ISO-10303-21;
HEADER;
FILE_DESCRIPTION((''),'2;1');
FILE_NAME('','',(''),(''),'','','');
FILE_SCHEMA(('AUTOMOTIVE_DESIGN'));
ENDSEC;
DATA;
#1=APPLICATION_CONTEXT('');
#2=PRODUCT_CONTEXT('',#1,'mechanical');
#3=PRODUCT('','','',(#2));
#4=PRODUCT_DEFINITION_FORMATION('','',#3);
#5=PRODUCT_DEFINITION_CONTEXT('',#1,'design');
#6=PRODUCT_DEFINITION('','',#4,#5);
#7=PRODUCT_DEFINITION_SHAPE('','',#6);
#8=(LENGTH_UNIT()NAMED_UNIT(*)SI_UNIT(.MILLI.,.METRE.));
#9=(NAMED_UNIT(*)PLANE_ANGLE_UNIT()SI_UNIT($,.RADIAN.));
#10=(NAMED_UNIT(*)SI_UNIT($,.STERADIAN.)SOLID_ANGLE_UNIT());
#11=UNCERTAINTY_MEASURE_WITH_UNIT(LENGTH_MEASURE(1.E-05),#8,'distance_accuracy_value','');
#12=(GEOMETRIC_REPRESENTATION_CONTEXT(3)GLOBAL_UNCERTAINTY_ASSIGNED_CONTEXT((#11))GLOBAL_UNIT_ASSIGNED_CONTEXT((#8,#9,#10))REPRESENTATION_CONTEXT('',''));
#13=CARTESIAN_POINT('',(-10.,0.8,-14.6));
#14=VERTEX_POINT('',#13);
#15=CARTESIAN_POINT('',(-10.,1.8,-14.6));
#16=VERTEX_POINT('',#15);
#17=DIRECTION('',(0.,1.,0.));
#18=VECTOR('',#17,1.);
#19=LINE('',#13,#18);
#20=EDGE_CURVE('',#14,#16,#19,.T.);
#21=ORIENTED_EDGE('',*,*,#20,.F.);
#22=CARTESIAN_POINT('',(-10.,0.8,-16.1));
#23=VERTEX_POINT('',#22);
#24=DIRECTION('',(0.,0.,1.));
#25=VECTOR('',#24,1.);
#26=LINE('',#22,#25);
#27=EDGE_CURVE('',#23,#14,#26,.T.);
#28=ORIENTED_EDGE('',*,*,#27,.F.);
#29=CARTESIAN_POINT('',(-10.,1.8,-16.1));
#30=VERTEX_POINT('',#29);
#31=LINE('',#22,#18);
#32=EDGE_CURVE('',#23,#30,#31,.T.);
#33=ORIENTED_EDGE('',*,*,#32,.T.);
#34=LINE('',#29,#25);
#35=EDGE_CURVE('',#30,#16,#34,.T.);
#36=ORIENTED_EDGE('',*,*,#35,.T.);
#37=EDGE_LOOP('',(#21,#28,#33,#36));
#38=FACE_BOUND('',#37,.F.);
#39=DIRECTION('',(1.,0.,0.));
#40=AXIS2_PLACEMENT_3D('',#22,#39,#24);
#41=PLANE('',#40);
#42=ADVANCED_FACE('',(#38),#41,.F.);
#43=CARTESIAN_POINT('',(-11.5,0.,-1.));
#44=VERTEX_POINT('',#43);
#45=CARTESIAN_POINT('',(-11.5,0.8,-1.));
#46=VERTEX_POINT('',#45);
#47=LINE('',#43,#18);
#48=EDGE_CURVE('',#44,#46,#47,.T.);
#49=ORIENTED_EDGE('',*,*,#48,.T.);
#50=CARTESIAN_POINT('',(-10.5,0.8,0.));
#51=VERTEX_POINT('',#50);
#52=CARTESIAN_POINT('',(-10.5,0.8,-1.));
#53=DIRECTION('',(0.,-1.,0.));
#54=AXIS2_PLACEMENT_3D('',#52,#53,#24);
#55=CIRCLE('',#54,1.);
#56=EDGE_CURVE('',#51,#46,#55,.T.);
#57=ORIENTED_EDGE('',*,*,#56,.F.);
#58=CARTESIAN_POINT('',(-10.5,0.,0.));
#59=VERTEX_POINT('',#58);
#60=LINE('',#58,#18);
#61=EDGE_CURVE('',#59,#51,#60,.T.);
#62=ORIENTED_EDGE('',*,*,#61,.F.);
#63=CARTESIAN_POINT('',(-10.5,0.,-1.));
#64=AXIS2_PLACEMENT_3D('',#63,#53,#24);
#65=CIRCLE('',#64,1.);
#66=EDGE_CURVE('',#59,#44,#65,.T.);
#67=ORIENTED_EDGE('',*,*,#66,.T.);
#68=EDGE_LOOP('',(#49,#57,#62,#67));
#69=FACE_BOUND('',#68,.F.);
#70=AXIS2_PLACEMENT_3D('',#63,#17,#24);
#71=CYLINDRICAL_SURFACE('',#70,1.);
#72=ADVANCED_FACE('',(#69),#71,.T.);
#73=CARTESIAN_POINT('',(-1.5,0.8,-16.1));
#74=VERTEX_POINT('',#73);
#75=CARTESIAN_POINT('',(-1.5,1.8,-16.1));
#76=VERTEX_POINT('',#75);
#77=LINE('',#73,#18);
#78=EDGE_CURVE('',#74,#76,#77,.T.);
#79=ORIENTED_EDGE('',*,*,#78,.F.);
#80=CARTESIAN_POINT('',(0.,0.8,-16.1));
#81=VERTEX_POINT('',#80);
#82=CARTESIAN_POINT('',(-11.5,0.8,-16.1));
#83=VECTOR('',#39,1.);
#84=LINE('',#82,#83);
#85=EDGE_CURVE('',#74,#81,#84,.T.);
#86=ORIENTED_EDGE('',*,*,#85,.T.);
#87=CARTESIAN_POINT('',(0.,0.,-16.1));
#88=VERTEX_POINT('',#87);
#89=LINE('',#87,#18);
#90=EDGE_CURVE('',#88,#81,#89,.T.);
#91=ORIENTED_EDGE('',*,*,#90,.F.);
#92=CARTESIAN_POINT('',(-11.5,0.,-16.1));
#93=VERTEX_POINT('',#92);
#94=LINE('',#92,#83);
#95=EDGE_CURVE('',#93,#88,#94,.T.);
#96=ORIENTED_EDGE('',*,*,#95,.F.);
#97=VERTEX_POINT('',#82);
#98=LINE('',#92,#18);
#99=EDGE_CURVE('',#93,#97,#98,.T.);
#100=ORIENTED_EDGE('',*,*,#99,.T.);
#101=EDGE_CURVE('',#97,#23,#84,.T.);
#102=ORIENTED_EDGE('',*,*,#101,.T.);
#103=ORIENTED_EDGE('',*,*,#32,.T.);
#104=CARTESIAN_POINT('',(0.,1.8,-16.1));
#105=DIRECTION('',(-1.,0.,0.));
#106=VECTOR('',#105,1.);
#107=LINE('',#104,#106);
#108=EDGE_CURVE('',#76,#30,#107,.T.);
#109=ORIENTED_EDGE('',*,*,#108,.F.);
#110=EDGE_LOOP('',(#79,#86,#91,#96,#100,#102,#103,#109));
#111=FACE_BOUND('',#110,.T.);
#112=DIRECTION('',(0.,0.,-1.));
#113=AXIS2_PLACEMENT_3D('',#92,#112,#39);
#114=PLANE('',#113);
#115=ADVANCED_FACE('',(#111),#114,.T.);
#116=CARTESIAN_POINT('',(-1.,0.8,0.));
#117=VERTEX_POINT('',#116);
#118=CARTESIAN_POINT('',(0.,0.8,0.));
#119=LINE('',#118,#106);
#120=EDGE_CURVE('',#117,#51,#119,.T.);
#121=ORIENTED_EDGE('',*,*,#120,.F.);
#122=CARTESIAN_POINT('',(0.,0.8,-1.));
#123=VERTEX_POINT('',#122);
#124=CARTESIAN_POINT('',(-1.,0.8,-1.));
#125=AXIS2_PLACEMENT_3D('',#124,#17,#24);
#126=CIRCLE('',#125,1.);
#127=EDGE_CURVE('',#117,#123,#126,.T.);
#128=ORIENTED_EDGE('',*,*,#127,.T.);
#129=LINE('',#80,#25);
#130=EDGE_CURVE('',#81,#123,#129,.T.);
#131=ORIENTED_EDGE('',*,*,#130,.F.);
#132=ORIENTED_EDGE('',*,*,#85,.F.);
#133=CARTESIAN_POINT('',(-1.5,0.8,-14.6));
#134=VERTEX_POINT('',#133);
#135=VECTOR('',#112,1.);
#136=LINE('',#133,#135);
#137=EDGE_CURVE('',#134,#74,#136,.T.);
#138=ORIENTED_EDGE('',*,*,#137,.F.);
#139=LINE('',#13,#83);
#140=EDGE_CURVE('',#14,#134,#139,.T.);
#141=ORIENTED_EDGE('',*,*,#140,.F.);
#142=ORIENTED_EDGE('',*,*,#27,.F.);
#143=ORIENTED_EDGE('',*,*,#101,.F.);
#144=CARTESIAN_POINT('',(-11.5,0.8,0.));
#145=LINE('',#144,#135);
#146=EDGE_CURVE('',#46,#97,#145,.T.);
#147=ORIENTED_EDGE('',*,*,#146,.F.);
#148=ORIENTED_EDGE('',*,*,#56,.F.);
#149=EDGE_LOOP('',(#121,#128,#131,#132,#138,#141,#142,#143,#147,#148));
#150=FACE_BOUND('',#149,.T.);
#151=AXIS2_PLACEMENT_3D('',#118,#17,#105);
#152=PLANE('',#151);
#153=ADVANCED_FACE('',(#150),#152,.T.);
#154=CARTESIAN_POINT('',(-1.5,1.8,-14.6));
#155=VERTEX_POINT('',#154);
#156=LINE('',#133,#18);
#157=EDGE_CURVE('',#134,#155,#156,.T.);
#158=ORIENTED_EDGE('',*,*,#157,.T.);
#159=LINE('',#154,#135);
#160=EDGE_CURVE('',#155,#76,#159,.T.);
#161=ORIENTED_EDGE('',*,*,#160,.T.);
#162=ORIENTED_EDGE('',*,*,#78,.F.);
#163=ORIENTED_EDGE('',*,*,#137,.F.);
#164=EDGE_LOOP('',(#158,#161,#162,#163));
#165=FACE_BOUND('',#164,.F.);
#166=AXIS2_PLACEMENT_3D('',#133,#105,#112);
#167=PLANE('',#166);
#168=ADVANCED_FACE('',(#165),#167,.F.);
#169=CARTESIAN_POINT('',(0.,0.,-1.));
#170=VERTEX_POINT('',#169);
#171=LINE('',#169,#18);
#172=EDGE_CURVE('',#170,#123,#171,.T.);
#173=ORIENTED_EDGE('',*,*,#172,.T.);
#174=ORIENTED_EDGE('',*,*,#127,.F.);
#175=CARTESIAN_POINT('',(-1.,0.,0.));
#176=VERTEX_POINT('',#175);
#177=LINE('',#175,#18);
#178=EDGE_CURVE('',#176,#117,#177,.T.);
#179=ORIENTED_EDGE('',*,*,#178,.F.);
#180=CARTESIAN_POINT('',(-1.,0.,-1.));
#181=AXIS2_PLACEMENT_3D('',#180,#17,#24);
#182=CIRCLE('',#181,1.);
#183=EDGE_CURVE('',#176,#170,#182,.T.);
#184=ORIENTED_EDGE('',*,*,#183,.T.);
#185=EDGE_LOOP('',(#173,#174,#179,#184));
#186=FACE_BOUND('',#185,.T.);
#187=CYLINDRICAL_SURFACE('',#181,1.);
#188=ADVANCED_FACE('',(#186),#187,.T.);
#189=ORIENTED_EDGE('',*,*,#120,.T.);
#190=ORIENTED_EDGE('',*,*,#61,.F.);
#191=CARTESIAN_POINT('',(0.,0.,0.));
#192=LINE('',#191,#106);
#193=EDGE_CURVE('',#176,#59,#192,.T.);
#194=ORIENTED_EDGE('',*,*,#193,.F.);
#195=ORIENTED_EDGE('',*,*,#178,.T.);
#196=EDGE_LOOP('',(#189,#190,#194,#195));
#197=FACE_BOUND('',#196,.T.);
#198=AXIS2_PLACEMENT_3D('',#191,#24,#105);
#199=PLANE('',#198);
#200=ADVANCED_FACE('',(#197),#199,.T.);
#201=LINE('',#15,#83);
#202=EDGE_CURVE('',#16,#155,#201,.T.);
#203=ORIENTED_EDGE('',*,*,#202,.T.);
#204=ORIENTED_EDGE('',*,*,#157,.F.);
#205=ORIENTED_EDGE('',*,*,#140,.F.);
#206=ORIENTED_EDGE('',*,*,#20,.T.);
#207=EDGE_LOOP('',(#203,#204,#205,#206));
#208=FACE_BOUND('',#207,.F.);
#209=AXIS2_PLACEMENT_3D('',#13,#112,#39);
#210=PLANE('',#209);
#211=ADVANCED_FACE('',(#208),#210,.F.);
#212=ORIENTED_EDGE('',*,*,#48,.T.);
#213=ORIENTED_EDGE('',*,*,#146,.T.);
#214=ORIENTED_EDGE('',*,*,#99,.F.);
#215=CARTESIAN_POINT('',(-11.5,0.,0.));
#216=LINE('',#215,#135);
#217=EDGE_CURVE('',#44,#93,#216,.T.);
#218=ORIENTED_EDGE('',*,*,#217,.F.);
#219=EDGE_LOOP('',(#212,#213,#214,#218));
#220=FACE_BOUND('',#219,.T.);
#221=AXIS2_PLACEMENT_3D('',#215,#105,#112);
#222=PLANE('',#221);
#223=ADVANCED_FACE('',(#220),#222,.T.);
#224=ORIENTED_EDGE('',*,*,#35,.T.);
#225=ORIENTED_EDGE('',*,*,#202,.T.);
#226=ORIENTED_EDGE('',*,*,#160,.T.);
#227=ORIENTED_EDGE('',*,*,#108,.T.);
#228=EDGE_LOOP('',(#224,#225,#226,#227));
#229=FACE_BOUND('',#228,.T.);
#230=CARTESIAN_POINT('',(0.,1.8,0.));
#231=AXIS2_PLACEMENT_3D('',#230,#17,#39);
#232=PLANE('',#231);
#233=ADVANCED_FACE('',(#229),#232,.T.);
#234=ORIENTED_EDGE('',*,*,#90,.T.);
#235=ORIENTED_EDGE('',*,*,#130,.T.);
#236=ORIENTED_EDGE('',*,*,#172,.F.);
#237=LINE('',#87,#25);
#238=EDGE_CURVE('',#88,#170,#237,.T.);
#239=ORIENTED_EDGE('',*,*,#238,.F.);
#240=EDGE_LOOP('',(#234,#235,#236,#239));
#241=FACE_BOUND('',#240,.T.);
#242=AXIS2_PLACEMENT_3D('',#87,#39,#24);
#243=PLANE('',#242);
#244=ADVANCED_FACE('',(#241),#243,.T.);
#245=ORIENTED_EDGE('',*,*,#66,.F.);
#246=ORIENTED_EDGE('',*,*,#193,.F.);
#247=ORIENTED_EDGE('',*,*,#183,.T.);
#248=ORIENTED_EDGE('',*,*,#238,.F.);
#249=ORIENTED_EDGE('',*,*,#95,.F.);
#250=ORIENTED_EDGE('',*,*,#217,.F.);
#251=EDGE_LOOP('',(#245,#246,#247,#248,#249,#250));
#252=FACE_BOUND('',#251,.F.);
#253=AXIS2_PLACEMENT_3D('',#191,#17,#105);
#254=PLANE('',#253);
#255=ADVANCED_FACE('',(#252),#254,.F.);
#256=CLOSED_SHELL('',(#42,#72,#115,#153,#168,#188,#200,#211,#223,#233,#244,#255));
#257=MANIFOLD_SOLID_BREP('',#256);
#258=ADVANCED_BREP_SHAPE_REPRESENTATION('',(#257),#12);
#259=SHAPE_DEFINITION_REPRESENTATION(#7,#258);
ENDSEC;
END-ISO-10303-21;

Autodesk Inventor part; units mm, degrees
ref_plane "YZ Plane" through (0, 0, 0) normal (1, 0, 0) x (0, 1, 0)
ref_plane "XZ Plane" through (0, 0, 0) normal (0, 1, 0) x (-1, 0, 0)
ref_plane "XY Plane" through (0, 0, 0) normal (0, 0, 1) x (1, 0, 0)
sketch "스케치1" plane through (0, 0, 0) normal (0, 1, 0) x (-1, 0, 0)
  line L0 (0, 0) -> (11.5, 0)
  line L1 (11.5, 0) -> (11.5, -16.1)
  line L2 (11.5, -16.1) -> (0, -16.1)
  line L3 (0, -16.1) -> (0, 0)
  dimension "d0" = 11.5
  dimension "d1" = 16.1
extrude "돌출1" add sketch "스케치1" along normal blind 0.8
fillet "모깎기1" radius 1 2 edges at (0, 0.4, 0) (-11.5, 0.4, 0)
sketch "스케치2" plane through (0, 0.8, 0) normal (0, 1, 0) x (1, 0, 0)
  line L0 (0, 1) -> (0, 16.1) projected
  line L1 (0, 16.1) -> (-11.5, 16.1) projected
  line L2 (-1.5, 16.1) -> (-10, 16.1)
  line L3 (-10, 16.1) -> (-10, 14.6)
  line L4 (-10, 14.6) -> (-1.5, 14.6)
  line L5 (-1.5, 14.6) -> (-1.5, 16.1)
  point P0 (0, 0)
  dimension "d5" = 8.5
  dimension "d6" = 1.5
  dimension "d7" = 1.5
extrude "돌출2" add sketch "스케치2" along normal blind 1
properties part number "Case_Top"
